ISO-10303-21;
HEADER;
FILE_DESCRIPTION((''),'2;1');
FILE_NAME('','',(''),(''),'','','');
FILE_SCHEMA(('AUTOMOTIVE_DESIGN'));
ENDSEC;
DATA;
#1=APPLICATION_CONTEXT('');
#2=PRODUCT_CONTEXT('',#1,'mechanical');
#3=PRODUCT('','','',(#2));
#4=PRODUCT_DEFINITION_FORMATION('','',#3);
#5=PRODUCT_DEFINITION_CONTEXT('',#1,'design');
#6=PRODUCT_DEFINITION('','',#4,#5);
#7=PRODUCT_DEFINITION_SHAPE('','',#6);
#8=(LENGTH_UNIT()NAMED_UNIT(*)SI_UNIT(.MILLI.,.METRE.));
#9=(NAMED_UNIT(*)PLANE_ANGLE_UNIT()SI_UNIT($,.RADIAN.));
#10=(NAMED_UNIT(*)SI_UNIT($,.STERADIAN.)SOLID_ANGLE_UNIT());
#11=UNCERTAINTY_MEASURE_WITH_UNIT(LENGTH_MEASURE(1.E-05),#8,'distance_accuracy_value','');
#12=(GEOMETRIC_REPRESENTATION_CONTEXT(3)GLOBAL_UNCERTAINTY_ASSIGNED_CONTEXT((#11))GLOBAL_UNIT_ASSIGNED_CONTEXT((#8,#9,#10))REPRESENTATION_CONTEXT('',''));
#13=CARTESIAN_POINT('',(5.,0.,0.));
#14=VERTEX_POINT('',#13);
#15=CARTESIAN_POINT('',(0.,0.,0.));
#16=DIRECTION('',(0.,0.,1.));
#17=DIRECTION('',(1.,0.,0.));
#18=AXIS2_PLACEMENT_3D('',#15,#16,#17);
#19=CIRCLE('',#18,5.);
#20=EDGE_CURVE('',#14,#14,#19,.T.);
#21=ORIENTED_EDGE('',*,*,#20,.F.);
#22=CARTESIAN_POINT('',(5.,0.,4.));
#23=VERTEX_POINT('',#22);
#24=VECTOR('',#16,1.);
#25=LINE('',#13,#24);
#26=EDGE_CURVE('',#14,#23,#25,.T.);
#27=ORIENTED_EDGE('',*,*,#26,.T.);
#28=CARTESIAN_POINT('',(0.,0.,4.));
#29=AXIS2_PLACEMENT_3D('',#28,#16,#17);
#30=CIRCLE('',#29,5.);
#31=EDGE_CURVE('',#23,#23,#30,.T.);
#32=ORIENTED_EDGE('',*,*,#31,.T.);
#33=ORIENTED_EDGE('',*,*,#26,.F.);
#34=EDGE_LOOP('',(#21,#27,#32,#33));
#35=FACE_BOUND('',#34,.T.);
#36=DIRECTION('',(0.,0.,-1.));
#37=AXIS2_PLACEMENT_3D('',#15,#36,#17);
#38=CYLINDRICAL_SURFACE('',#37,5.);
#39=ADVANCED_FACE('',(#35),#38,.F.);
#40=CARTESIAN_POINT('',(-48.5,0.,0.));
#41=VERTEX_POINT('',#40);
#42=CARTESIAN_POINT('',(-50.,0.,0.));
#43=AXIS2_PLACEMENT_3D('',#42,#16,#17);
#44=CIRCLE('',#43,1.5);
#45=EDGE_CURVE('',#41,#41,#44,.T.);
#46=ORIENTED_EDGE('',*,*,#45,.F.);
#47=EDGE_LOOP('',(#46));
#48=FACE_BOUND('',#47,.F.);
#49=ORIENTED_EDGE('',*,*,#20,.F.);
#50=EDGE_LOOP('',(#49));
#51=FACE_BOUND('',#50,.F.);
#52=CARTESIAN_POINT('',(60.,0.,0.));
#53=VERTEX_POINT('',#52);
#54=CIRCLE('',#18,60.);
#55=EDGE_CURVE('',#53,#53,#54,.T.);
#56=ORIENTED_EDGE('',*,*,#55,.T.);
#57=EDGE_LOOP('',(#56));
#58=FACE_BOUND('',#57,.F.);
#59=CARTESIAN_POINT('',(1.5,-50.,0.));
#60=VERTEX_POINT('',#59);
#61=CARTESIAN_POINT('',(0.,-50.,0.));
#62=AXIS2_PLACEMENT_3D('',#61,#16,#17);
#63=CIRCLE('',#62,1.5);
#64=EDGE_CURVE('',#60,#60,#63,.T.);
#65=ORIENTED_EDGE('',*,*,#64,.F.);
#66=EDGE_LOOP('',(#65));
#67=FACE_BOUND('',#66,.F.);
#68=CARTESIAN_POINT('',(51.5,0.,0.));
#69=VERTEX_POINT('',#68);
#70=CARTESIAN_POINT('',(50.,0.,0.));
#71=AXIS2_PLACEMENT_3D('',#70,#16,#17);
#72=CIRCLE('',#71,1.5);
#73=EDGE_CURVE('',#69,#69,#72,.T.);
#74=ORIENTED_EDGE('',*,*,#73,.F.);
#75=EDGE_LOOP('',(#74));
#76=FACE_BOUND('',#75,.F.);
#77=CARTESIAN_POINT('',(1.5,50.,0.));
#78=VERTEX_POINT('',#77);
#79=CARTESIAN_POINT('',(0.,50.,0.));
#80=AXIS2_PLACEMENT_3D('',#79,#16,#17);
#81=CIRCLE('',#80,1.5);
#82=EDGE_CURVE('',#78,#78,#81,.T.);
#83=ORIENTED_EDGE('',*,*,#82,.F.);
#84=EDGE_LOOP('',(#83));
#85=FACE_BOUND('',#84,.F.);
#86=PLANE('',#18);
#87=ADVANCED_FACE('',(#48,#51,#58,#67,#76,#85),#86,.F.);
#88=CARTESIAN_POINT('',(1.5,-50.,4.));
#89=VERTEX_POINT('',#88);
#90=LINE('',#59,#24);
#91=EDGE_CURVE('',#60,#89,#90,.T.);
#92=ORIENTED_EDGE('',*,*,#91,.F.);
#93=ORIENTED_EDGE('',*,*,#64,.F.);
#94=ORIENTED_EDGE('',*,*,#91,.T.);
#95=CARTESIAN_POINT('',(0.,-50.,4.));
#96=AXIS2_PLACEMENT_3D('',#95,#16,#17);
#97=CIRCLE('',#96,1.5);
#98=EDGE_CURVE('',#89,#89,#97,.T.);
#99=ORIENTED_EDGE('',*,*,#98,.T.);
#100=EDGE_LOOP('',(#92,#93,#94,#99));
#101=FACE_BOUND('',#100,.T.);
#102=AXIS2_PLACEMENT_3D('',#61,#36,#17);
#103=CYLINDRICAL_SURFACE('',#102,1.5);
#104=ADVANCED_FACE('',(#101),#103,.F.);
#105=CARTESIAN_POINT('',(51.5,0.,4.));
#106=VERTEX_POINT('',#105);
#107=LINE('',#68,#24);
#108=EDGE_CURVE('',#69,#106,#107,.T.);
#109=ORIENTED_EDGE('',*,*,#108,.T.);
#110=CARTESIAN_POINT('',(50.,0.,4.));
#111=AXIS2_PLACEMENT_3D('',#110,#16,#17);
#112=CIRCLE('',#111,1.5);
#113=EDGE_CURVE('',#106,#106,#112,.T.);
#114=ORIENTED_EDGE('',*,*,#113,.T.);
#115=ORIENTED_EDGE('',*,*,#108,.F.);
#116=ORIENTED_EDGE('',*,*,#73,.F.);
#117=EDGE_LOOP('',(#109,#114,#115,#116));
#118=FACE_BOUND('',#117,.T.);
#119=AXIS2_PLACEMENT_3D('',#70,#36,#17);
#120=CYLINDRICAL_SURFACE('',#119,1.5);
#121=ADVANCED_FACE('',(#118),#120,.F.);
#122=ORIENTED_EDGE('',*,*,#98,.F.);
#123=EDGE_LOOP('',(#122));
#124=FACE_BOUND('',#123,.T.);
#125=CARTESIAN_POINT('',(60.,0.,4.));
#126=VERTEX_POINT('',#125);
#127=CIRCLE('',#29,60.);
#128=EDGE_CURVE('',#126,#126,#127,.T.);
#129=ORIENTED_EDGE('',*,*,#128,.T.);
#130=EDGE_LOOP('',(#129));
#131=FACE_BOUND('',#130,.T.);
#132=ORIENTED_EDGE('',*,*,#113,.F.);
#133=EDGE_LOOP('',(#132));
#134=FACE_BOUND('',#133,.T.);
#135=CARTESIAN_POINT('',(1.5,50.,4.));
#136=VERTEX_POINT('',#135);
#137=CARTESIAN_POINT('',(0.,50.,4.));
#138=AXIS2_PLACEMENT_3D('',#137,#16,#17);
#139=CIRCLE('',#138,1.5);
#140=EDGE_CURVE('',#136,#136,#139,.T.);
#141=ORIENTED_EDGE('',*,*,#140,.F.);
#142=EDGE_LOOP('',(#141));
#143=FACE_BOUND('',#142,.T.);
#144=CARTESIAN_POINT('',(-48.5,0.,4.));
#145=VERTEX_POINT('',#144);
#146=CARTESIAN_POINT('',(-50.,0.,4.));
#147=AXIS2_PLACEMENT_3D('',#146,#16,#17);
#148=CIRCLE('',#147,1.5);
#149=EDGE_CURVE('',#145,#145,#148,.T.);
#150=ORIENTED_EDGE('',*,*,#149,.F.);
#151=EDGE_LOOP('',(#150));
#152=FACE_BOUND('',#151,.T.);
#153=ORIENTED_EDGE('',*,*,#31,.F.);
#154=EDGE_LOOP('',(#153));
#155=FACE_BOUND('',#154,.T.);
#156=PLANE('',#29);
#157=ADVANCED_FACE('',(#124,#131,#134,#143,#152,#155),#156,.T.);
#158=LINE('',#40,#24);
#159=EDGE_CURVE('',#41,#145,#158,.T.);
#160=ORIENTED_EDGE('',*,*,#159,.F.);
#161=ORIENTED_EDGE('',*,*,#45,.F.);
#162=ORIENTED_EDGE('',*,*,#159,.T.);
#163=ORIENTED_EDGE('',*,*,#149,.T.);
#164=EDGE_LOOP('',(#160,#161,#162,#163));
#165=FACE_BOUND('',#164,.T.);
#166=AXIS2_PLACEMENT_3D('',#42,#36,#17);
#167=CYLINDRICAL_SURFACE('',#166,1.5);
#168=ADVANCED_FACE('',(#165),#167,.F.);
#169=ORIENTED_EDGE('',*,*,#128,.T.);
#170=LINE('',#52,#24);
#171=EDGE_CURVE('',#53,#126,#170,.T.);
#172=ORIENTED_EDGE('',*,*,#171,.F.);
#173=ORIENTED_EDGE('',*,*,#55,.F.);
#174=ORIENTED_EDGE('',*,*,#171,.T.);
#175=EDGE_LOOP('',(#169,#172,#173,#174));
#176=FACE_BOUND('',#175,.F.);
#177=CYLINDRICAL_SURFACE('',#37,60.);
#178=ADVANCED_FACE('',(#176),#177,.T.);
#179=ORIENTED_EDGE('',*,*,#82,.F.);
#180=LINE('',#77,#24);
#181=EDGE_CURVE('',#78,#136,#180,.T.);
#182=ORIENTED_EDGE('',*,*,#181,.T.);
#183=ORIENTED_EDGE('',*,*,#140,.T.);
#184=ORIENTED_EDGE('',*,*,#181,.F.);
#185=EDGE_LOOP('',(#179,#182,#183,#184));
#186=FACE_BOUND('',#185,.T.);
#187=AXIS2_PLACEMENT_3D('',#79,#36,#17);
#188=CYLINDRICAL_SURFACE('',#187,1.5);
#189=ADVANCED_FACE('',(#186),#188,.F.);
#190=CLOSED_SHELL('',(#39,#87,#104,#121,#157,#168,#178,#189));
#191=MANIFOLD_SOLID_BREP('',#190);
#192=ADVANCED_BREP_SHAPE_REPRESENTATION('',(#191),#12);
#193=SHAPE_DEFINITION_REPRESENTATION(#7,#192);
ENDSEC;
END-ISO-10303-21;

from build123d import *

# Parameters (mm, degrees)
SKETCH_R   = 60
SKETCH_R_2 = 5
SKETCH_R_3 = 1.5
PAD_DEPTH  = 4


with BuildPart() as part:
    # Sketch → Pad (new body)
    with BuildSketch(Plane.XY):
        Circle(SKETCH_R)
        Circle(SKETCH_R_2, mode=Mode.SUBTRACT)
        with Locations((0, 50)):
            Circle(SKETCH_R_3, mode=Mode.SUBTRACT)
        with Locations((0, -50)):
            Circle(SKETCH_R_3, mode=Mode.SUBTRACT)
        with Locations((50, 0)):
            Circle(SKETCH_R_3, mode=Mode.SUBTRACT)
        with Locations((-50, 0)):
            Circle(SKETCH_R_3, mode=Mode.SUBTRACT)
    extrude(amount=PAD_DEPTH)


solid = part.part
